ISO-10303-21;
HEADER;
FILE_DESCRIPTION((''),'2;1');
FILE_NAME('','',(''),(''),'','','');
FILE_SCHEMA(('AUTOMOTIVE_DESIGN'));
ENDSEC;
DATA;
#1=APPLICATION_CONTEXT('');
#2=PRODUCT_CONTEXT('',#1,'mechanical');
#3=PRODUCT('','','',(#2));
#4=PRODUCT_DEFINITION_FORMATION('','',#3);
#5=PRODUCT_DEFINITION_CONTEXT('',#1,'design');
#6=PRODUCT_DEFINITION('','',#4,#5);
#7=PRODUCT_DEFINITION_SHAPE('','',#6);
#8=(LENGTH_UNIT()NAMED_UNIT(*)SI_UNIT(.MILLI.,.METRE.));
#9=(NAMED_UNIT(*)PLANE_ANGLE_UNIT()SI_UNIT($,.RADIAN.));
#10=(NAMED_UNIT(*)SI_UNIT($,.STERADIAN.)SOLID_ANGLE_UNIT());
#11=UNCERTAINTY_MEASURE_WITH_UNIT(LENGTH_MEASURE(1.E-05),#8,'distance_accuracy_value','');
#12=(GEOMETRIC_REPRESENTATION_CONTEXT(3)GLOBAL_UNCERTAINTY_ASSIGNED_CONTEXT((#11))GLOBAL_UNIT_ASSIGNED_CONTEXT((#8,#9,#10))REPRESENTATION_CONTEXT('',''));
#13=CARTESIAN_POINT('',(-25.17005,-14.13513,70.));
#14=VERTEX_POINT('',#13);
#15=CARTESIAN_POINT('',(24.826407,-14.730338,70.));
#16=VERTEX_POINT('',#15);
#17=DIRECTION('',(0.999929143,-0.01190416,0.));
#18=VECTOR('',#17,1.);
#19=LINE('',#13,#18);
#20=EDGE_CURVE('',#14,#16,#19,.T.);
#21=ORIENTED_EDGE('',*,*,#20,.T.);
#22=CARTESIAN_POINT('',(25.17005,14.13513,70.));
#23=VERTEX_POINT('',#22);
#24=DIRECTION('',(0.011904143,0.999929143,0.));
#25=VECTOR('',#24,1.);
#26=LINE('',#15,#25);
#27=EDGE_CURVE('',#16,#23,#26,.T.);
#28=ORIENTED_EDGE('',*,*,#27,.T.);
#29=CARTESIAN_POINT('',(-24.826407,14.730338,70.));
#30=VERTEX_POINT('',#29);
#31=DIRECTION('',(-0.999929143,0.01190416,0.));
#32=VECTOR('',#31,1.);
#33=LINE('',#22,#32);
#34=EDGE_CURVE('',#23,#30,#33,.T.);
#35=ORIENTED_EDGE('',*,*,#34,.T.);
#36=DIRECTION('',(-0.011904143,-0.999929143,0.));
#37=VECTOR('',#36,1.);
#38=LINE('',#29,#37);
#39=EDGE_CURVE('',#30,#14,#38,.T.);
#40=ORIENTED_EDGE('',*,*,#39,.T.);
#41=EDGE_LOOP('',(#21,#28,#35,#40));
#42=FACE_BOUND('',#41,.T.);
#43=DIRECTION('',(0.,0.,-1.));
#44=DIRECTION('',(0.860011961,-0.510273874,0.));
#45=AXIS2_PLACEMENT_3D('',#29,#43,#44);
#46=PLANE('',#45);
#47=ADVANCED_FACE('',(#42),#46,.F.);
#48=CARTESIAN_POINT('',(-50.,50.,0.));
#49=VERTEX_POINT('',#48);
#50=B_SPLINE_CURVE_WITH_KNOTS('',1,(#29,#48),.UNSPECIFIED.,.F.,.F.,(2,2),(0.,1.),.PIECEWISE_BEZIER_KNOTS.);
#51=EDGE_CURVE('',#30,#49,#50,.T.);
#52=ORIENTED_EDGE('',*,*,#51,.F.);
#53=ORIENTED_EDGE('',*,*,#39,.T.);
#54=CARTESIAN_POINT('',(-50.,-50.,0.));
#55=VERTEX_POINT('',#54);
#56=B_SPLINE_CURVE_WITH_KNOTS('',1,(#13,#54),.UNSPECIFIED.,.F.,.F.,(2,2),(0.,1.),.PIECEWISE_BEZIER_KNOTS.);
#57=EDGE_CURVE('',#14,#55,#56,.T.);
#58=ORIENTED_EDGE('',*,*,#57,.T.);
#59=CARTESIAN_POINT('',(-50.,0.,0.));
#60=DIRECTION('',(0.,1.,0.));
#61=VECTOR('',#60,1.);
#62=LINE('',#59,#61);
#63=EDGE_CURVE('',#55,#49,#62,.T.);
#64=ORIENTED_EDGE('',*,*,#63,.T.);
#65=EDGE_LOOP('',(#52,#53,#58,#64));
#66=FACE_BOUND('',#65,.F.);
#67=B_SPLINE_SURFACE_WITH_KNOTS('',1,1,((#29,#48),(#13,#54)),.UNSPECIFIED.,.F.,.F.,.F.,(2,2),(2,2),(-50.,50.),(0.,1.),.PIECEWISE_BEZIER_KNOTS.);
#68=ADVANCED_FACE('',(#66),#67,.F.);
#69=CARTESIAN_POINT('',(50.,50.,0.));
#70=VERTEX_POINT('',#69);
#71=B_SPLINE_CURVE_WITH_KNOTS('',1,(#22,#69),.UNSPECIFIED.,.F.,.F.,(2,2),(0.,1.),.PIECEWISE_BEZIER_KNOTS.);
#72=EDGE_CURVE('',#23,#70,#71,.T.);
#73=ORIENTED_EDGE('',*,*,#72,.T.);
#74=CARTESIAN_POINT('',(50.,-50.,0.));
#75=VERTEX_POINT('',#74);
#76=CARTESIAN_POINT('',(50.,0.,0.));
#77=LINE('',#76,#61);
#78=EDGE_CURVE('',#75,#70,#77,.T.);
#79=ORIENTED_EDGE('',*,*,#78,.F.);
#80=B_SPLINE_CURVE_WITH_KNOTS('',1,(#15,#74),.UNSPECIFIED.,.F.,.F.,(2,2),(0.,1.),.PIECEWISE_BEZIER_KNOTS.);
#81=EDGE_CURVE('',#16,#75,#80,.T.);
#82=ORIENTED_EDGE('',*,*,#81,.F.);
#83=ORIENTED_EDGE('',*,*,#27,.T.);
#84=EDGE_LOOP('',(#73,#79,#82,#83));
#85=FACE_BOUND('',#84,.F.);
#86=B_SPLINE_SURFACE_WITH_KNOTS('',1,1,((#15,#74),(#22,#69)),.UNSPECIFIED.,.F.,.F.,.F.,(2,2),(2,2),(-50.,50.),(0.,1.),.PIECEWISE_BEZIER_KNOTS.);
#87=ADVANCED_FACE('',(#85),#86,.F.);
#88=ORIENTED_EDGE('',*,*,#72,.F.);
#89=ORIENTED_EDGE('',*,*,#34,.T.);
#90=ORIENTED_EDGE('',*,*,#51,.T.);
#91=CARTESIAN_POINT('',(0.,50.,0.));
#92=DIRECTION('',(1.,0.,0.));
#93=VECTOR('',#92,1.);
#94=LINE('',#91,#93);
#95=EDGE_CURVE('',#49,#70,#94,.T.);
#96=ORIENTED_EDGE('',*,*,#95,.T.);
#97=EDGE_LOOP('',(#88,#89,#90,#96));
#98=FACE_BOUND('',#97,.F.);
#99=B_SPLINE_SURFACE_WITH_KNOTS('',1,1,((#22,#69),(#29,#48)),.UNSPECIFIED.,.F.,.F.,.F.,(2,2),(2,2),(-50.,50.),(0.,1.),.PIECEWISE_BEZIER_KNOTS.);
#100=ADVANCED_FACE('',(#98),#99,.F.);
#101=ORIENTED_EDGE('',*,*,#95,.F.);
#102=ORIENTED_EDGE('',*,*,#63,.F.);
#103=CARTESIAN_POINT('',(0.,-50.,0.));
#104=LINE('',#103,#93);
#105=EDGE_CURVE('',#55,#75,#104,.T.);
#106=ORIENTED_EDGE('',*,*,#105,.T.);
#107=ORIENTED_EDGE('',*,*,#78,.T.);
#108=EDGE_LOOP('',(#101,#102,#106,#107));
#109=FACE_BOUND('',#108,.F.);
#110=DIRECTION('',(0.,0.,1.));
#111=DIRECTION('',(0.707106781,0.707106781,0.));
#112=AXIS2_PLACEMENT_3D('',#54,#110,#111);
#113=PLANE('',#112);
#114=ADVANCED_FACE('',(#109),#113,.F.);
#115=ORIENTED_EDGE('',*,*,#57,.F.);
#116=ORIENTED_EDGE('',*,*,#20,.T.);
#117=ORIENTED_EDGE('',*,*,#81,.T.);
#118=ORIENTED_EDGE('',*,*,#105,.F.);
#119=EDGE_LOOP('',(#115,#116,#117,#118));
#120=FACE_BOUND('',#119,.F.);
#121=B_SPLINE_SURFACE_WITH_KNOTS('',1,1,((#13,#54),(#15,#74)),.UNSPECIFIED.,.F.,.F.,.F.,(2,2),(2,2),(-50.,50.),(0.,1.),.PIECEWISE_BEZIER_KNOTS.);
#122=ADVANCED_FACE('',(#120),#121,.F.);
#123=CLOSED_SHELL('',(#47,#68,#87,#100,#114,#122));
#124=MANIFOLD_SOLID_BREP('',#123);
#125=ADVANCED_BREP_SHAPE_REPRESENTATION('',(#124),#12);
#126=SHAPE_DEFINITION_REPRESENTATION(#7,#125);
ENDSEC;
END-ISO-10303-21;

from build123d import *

# Parameters (mm, degrees)
F0_W = 100
F0_H = 100


with BuildPart() as f3:
    # F2 (on offset) → F3 section 0
    with BuildSketch(Plane.XY.offset(70)):
        Polygon((-24.826407, 14.730338), (-25.17005, -14.13513), (24.826407, -14.730338), (25.17005, 14.13513), align=None)
    # F0 (on Top) → F3 section 1
    with BuildSketch(Plane.XY):
        Rectangle(F0_W, F0_H)
    loft()


solid = f3.part
